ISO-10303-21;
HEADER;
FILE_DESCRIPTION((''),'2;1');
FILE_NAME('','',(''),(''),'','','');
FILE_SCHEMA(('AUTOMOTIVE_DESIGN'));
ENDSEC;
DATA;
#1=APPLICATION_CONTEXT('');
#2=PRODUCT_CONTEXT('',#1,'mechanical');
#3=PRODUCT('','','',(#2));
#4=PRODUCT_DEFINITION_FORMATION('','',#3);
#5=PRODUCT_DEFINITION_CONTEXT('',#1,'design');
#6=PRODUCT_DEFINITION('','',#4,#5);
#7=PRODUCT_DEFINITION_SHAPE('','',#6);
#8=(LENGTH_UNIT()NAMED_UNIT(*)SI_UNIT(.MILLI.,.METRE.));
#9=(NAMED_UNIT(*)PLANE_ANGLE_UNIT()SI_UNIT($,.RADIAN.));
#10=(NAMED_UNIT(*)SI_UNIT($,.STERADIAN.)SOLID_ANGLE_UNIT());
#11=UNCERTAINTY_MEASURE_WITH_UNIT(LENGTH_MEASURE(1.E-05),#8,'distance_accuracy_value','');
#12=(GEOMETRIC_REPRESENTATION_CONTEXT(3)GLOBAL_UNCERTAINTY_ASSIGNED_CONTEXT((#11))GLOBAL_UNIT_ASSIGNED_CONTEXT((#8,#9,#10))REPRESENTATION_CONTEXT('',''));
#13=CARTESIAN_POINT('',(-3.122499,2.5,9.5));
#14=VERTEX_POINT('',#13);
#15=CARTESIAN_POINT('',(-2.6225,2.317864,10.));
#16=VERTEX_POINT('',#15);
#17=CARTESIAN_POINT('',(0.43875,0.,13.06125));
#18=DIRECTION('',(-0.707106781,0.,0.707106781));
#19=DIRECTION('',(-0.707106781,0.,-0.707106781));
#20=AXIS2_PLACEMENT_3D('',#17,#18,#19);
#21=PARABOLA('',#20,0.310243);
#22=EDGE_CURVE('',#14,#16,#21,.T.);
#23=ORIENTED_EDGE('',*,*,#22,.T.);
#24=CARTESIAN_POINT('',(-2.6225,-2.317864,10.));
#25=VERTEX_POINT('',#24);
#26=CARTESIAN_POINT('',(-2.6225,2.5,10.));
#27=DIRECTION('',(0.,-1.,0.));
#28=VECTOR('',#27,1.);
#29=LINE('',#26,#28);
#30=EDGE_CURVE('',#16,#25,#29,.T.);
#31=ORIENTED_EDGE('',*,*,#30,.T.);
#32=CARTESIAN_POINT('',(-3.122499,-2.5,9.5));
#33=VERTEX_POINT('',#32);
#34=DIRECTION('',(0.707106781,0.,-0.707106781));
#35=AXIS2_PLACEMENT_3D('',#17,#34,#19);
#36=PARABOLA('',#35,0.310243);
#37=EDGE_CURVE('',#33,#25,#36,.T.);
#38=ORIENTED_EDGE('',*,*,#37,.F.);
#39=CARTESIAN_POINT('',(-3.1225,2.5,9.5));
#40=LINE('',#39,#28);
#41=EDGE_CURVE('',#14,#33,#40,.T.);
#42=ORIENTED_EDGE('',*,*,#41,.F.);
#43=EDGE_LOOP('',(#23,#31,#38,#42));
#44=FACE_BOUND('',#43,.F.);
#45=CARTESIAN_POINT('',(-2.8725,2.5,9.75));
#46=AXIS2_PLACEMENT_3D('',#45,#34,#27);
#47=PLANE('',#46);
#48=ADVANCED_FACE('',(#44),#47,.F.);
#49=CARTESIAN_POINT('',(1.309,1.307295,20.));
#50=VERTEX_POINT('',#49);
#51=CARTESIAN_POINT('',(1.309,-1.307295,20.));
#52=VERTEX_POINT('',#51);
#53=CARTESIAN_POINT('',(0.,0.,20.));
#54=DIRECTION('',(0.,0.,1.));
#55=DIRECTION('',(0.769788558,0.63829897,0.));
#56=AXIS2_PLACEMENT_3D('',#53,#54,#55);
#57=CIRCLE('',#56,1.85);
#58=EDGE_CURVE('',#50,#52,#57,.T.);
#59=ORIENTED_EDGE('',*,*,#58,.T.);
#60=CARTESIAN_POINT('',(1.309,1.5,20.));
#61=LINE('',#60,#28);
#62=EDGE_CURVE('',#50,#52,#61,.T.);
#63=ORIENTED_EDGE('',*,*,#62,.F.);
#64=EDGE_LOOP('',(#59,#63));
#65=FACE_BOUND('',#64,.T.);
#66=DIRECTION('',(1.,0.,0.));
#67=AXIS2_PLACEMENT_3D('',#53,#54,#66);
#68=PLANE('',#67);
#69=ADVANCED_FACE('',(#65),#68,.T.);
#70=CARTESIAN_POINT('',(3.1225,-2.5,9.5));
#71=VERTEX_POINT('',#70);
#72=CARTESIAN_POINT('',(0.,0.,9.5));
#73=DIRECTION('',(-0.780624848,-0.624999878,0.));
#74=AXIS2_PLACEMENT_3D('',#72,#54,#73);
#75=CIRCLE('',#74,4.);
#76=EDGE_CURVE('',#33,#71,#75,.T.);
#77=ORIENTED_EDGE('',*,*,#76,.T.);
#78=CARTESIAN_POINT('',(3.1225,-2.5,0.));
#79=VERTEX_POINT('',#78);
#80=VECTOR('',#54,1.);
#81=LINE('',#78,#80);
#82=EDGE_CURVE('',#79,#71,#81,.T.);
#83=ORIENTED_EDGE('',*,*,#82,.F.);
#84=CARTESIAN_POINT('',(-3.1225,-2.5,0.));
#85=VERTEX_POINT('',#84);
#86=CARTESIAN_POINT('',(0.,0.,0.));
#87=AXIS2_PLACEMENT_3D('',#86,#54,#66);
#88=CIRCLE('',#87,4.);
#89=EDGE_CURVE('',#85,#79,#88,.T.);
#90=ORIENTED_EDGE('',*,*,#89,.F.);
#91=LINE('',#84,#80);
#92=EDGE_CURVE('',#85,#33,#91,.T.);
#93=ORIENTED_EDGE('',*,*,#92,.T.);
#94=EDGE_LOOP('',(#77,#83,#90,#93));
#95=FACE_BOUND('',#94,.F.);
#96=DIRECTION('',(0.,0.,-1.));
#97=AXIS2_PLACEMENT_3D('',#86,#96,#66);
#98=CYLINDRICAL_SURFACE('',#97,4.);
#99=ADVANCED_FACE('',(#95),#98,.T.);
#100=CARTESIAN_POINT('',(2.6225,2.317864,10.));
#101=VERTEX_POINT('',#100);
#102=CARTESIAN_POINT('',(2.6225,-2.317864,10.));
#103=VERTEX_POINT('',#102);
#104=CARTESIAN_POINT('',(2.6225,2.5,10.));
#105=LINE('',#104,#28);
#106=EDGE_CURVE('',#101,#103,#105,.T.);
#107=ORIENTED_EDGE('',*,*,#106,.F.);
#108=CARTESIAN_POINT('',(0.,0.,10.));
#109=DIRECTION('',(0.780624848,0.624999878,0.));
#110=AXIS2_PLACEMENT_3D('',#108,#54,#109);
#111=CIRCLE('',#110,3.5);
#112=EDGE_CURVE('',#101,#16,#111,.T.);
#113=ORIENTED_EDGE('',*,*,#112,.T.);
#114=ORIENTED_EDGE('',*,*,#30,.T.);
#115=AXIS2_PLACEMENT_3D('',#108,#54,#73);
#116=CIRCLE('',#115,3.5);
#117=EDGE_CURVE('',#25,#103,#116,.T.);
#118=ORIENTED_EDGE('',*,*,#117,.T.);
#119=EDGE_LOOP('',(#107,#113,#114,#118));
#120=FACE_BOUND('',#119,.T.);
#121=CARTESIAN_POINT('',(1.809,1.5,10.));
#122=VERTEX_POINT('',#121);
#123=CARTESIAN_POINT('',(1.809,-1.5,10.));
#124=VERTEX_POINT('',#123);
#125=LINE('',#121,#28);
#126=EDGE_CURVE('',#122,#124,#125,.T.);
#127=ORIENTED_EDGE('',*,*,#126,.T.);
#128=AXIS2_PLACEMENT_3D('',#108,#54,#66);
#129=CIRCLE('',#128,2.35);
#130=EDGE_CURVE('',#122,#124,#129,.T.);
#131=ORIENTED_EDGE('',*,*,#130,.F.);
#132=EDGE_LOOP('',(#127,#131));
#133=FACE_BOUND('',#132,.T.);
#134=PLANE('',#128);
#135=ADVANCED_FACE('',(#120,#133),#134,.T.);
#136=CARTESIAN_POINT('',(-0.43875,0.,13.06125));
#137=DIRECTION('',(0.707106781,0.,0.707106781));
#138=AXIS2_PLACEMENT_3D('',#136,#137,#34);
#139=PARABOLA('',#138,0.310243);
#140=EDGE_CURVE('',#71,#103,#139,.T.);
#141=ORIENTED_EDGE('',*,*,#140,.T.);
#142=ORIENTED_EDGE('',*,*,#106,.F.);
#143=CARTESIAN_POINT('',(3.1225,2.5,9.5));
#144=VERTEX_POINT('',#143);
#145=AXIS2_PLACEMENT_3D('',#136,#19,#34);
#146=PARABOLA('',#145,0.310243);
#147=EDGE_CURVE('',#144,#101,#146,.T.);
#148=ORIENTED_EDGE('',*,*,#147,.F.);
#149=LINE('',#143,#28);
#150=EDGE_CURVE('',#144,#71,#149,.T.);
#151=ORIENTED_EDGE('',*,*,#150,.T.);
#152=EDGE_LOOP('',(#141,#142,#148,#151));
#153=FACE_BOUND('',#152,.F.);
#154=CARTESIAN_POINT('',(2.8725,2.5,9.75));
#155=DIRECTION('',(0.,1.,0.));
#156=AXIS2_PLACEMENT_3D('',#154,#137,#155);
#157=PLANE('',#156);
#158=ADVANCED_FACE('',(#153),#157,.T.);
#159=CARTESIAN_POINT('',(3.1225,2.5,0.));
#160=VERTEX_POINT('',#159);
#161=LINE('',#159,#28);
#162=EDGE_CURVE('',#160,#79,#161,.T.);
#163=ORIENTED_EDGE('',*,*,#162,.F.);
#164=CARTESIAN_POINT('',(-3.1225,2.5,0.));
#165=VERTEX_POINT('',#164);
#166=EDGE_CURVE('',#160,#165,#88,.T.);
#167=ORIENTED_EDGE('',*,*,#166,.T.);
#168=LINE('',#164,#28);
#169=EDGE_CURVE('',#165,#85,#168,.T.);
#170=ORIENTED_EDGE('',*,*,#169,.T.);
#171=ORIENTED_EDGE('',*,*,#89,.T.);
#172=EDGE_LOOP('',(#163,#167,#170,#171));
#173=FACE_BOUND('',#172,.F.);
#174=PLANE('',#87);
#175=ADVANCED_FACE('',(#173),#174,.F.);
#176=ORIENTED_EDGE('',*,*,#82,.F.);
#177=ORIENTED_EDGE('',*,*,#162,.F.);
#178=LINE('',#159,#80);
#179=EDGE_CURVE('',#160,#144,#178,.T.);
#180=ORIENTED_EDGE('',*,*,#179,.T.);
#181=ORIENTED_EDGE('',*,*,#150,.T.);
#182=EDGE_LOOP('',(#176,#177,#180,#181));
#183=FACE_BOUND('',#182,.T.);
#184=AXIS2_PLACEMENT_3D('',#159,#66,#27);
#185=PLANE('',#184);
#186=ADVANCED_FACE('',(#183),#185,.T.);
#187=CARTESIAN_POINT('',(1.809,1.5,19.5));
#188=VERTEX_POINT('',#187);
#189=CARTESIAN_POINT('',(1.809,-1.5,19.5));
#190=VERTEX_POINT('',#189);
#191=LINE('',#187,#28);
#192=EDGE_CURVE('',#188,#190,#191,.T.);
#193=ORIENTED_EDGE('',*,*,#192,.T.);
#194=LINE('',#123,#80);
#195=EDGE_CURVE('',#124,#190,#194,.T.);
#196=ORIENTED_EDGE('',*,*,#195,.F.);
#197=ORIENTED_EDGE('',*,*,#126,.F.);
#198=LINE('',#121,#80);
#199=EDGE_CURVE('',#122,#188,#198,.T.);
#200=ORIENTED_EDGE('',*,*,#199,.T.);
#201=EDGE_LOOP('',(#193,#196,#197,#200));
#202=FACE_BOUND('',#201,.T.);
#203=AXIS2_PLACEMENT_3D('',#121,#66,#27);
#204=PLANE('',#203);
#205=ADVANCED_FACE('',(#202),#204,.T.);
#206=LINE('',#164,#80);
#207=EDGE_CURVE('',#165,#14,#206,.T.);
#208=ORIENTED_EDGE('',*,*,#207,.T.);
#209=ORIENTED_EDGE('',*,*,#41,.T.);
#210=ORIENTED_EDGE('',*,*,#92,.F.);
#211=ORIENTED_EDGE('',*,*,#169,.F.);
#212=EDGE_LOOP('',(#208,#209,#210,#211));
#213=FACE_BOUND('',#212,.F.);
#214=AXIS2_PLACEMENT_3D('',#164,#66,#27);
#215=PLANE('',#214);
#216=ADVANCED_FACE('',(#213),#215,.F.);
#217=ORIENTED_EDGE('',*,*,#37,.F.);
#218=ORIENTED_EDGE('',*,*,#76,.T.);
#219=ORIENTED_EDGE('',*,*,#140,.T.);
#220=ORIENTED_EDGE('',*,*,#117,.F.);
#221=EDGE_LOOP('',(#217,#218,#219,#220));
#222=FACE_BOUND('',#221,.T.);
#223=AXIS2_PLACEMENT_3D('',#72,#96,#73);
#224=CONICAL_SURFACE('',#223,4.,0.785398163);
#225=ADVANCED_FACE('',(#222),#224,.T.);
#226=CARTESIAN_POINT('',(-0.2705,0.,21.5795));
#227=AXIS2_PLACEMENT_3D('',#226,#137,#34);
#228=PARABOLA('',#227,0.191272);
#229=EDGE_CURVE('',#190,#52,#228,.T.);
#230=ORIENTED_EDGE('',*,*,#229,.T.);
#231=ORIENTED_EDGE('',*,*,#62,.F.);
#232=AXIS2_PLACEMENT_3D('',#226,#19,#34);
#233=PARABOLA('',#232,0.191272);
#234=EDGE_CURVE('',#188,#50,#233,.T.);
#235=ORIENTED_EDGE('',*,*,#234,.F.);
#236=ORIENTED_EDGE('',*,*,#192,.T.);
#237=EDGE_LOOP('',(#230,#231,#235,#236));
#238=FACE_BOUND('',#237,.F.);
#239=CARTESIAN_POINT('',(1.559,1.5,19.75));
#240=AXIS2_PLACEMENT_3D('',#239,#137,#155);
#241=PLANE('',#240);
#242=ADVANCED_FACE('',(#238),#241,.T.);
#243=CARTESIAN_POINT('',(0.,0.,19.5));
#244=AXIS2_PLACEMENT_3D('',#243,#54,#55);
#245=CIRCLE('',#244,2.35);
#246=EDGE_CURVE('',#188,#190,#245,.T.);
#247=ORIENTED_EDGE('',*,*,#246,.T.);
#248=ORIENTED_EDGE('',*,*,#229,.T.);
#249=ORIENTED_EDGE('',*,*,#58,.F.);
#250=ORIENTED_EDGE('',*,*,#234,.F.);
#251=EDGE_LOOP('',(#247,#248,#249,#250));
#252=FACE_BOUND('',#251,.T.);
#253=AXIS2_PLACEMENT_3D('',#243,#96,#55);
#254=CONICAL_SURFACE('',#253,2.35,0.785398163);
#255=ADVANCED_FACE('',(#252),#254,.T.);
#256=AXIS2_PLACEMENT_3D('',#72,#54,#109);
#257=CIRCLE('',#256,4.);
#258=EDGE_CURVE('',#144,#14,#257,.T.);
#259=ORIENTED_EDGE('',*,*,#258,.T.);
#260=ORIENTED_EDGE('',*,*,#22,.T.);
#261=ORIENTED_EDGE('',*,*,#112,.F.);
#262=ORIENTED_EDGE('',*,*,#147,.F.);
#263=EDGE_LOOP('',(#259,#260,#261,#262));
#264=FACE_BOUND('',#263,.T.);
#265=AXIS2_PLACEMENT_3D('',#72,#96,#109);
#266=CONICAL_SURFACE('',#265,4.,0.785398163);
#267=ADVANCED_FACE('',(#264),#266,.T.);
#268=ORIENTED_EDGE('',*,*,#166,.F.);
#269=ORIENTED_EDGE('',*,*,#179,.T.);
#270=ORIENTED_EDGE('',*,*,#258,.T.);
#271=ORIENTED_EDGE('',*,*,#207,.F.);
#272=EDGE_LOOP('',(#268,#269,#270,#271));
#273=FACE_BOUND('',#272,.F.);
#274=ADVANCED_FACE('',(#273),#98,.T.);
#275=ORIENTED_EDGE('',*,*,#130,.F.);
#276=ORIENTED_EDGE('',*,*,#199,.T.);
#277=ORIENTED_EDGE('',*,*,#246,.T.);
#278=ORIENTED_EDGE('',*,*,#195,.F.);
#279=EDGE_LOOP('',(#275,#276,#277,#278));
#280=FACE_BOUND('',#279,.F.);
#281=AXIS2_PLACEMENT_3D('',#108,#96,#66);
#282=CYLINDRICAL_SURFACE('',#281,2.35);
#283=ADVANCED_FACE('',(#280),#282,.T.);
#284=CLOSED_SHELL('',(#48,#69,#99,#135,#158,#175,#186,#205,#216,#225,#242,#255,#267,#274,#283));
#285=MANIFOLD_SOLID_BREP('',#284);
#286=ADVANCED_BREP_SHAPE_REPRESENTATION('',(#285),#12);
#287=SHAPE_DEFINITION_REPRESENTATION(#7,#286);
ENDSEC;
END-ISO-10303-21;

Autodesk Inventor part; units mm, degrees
ref_plane "YZ Plane" through (0, 0, 0) normal (1, 0, 0) x (0, 1, 0)
ref_plane "XZ Plane" through (0, 0, 0) normal (0, 1, 0) x (-1, 0, 0)
ref_plane "XY Plane" through (0, 0, 0) normal (0, 0, 1) x (1, 0, 0)
sketch "Sketch1" plane through (0, 0, 0) normal (0, 0, 1) x (1, 0, 0)
  circle A0 centre (0, 0) radius 4
  line L0 (3.1225, 2.5) -> (3.1225, -2.5)
  line L1 (-3.1225, 2.5) -> (-3.1225, -2.5)
  dimension "d0" = 8
  dimension "d1" = 5
  dimension "d2" = 5
extrude "Extrusion1" add sketch "Sketch1" along normal blind 10 contours L0 A0 L1
sketch "Sketch2" plane through (0, 0, 10) normal (0, 0, 1) x (1, 0, 0)
  circle A0 centre (0, 0) radius 2.35
  line L0 (1.809, 1.5) -> (1.809, -1.5)
  dimension "d5" = 4.7
  dimension "d6" = 3
extrude "Extrusion2" add sketch "Sketch2" along normal blind 10 contours L0 A0 picked at (0.4227, 0)
chamfer "Chamfer1" distance 0.5 angle 45 6 edges at (1.809, 0, 20) (-2.35, 0, 20) (3.1225, 0, 10) (0, 4, 10) (0, -4, 10) (-3.1225, 0, 10)
properties part number "Shaft_Peg"
